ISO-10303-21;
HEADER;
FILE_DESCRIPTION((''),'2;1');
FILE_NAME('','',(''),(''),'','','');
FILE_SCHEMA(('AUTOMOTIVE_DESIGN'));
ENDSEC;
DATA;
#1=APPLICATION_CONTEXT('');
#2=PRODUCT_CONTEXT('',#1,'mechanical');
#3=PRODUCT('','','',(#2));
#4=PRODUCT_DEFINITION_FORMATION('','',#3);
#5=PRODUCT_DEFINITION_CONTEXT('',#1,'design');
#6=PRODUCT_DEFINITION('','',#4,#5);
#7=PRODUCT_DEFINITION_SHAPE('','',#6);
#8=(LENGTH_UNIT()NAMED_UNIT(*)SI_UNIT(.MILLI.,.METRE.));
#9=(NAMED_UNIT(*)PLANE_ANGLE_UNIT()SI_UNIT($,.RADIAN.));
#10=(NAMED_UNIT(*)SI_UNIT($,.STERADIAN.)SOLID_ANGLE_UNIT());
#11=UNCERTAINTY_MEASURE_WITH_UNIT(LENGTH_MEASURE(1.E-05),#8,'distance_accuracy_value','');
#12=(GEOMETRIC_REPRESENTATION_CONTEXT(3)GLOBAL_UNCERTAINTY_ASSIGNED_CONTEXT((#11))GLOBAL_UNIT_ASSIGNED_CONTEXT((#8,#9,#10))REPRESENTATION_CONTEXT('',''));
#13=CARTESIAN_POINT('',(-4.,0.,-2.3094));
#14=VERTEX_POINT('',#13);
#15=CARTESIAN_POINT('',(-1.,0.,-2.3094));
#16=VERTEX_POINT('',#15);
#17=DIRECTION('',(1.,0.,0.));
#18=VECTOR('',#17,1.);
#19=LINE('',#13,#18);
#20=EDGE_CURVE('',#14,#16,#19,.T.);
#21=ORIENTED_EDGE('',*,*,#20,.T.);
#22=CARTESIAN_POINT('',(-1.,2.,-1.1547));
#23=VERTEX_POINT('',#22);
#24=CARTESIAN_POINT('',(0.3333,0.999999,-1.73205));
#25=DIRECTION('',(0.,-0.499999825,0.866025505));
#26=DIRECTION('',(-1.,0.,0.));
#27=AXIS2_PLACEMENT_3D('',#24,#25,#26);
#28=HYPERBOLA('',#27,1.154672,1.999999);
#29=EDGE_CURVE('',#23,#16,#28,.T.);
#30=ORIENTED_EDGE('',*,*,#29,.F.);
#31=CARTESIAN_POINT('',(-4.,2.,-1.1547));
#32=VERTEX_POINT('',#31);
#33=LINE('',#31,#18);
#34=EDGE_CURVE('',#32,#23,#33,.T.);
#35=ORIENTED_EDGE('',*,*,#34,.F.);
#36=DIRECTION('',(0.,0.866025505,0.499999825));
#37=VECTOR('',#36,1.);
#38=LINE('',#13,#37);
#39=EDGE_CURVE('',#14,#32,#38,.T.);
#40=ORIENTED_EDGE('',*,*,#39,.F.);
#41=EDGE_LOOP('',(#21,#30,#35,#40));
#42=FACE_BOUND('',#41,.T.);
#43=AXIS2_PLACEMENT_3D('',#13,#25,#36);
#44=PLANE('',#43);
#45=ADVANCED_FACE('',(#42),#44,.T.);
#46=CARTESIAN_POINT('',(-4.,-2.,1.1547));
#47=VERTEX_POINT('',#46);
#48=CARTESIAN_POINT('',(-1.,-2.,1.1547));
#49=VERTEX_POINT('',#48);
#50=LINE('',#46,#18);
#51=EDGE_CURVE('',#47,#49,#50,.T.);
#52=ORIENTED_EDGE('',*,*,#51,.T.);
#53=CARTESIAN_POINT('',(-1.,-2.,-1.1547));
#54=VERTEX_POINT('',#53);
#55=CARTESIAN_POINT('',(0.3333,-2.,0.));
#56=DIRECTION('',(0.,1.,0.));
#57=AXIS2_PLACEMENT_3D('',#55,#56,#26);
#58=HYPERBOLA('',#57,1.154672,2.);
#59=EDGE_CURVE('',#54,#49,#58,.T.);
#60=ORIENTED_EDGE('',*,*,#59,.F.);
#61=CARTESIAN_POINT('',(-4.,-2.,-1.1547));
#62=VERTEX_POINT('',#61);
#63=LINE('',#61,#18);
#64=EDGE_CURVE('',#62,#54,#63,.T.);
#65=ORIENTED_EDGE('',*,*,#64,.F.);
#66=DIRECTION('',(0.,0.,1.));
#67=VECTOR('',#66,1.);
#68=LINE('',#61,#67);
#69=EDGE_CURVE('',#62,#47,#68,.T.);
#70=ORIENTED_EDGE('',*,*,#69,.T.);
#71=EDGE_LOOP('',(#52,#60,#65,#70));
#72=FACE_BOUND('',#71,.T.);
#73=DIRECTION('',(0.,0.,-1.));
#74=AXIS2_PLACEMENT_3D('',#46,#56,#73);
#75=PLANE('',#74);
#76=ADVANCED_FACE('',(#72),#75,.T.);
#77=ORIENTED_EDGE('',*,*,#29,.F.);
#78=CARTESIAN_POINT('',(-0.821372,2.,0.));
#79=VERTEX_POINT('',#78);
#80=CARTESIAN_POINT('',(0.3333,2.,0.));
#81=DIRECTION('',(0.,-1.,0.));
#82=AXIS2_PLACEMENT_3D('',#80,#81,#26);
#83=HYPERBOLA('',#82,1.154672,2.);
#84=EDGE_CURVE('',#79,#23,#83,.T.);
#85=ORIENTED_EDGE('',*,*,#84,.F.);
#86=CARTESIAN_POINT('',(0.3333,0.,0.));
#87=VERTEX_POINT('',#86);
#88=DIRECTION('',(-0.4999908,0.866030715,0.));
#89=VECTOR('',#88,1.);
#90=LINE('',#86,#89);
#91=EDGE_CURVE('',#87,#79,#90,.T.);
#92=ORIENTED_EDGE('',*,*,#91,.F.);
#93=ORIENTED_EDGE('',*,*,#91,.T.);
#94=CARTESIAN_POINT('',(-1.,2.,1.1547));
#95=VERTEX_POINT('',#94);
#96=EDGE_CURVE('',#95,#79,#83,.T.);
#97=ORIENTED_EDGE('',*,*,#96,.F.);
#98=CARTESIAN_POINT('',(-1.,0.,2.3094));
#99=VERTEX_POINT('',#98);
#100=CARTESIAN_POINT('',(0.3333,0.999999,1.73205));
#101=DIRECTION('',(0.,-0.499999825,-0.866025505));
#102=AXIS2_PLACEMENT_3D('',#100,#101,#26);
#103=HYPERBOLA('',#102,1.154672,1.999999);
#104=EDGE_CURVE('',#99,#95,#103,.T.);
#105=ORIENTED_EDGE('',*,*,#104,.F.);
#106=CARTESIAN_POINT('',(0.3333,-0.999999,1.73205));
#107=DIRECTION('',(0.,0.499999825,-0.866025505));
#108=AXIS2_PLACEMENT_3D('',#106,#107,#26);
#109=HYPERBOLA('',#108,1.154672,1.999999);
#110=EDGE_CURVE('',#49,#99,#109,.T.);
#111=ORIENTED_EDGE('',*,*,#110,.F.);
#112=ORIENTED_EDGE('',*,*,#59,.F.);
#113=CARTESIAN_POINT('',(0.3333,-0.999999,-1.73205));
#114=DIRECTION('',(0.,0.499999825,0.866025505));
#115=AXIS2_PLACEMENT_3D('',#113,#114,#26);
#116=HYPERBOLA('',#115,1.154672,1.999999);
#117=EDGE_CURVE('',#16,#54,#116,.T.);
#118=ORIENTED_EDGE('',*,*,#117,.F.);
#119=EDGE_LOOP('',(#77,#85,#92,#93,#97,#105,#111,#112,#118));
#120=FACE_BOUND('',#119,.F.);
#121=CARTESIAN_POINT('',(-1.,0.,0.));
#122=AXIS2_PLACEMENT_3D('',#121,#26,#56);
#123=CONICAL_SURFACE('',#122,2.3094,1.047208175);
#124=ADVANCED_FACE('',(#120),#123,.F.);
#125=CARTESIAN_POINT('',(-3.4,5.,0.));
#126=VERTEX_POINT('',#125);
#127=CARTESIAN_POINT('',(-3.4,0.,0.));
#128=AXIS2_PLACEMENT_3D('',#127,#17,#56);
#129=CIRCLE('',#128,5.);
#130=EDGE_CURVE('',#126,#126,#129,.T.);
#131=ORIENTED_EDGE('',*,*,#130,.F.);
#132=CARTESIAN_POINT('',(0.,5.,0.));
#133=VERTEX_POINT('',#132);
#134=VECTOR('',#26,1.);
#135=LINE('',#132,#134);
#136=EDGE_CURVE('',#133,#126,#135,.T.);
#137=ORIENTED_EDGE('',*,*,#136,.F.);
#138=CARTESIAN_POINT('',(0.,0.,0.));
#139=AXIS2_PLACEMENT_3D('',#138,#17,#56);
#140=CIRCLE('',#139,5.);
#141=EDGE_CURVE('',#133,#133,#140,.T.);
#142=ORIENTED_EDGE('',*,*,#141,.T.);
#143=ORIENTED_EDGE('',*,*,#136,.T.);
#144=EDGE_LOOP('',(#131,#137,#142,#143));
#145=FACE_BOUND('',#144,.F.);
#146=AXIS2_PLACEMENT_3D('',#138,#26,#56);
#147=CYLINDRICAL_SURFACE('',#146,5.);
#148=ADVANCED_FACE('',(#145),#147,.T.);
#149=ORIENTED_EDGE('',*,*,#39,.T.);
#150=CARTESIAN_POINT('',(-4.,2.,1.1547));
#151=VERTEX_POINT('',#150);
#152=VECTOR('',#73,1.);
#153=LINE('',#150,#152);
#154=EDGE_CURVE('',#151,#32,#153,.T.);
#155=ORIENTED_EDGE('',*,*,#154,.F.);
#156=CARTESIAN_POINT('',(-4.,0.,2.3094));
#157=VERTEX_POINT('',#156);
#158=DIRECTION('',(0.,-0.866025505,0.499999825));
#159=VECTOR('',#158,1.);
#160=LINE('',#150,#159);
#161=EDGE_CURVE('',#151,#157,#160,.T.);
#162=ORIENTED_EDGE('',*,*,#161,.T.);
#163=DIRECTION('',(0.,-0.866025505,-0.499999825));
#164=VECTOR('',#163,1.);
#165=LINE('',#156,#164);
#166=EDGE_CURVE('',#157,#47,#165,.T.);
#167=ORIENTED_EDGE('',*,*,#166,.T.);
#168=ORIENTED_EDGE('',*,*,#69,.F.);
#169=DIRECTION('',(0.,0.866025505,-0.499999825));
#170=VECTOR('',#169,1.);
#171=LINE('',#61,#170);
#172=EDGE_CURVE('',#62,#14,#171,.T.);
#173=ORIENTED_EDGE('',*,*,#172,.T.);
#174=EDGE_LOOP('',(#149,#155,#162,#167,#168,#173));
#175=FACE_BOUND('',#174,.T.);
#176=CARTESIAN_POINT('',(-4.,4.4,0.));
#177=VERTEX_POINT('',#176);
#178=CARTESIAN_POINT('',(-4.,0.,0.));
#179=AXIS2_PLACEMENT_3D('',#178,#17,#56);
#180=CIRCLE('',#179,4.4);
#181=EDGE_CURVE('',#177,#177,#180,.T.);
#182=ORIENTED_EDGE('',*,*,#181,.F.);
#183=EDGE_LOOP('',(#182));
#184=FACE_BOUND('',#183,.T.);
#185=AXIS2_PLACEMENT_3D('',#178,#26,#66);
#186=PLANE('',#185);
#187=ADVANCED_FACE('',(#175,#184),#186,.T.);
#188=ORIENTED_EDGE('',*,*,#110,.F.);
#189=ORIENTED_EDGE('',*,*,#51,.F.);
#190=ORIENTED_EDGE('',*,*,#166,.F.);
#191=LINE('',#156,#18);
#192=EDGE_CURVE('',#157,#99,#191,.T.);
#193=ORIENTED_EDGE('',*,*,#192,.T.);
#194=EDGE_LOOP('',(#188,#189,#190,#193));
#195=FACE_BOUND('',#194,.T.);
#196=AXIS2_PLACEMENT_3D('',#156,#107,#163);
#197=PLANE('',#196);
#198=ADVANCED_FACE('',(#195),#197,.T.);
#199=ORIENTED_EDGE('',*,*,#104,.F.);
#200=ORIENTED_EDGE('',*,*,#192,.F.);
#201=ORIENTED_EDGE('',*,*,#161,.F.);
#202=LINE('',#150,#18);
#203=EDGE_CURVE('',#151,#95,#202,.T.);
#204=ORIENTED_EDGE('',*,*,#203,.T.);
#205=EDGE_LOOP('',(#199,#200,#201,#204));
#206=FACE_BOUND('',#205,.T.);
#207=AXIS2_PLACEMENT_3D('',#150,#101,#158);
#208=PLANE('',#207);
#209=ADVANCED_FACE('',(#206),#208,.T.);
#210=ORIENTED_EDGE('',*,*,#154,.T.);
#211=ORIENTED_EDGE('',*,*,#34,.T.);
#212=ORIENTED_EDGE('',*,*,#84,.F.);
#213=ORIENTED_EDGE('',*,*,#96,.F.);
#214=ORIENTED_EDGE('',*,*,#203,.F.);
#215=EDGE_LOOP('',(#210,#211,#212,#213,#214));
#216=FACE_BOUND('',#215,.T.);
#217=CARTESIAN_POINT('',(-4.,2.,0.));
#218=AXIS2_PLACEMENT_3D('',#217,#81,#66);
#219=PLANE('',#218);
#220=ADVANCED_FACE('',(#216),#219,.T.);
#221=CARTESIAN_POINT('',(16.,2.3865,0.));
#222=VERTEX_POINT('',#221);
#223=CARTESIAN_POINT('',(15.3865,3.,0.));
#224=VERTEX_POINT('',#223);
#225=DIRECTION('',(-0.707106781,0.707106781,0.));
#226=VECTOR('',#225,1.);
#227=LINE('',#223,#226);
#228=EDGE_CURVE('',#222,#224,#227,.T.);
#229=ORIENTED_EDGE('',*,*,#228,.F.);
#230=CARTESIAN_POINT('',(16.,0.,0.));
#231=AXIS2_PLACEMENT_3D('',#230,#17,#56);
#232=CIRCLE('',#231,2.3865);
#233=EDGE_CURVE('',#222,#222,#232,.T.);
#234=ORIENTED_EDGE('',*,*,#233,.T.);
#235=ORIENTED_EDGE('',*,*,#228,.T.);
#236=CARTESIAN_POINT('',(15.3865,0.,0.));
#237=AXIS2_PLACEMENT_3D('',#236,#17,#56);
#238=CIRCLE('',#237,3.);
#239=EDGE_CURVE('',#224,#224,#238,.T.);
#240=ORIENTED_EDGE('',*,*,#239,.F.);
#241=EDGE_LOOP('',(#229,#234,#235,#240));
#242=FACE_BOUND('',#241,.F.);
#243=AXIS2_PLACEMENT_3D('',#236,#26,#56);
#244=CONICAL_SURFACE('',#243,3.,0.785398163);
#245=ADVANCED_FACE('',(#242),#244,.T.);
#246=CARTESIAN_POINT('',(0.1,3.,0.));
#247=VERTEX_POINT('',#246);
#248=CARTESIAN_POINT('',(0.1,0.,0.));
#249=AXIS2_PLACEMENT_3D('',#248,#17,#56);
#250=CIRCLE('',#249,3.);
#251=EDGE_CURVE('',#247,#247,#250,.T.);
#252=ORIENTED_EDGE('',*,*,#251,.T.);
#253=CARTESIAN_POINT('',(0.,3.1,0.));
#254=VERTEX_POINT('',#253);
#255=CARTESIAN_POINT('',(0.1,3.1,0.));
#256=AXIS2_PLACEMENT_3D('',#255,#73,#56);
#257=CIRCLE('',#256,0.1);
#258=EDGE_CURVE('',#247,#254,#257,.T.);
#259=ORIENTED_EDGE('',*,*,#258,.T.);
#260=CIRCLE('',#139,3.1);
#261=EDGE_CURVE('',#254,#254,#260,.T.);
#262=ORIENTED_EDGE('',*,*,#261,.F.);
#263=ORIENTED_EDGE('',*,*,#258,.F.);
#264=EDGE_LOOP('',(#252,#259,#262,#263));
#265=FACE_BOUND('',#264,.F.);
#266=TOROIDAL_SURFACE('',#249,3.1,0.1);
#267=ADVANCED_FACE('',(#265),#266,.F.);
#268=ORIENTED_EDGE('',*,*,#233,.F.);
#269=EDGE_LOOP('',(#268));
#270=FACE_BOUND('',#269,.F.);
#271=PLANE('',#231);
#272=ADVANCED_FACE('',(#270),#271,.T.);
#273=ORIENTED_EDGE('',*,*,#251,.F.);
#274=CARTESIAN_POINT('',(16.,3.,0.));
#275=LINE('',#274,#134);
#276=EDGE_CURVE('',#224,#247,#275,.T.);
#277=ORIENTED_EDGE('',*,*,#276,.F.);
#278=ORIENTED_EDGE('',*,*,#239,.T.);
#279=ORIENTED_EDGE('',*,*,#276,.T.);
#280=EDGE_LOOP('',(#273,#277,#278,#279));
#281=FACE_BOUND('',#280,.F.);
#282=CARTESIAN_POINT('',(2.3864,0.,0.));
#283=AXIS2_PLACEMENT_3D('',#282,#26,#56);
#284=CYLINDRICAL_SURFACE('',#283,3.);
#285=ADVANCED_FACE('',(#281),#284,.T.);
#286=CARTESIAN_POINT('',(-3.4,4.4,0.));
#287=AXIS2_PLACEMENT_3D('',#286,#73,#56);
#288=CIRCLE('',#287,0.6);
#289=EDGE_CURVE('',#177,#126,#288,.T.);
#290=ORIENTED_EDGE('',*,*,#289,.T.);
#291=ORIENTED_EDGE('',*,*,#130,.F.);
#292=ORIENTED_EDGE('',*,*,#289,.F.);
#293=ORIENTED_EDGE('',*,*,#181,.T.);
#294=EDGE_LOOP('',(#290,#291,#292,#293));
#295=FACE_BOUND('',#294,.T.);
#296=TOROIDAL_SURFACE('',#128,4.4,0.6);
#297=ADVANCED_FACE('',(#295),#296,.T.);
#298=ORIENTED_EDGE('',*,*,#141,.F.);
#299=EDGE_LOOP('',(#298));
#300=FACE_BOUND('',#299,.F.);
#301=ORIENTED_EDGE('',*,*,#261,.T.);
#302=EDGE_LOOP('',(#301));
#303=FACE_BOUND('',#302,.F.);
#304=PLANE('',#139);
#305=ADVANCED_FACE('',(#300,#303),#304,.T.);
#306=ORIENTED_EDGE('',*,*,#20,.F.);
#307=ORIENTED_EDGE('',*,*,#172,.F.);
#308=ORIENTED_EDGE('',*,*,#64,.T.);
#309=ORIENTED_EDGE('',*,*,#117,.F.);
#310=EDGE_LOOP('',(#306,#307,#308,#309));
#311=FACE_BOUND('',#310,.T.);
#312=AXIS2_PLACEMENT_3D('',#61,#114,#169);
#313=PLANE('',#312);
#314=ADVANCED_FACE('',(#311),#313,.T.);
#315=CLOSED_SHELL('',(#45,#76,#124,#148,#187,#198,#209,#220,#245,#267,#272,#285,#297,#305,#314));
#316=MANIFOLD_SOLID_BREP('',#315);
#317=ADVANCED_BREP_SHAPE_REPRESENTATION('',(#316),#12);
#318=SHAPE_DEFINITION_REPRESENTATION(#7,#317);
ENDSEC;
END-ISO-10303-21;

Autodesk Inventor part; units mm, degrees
ref_plane "YZ Plane" through (0, 0, 0) normal (1, 0, 0) x (0, 1, 0)
ref_plane "XZ Plane" through (0, 0, 0) normal (0, 1, 0) x (-1, 0, 0)
sketch "Sketch1" plane through (0, 0, 0) normal (0, 0, 1) x (1, 0, 0)
  line L0 (0.3333, 0) -> (16, 0)
  line L1 (16, 0) -> (16, 3)
  line L2 (16, 3) -> (3, 3)
  line L3 (3, 3) -> (2.3864, 3)
  line L4 (2.3864, 3) -> (0, 3)
  line L5 (0, 3) -> (0, 5)
  line L6 (0, 5) -> (-4, 5)
  line L7 (-4, 5) -> (-4, 2.3094)
  line L8 (-4, 2.3094) -> (-1, 2.3094)
  line L9 (-1, 2.3094) -> (0.3333, 0)
  line L10 (-8, 0) -> (20, 0) projected
  line L11 (0, -1) -> (0, 6) projected
  line L12 (3, 3) -> (0, 3) construction
  dimension "d1" = 13
  dimension "d2" = 0.6136
  dimension "d3" = 4
  dimension "d4" = 3
  dimension "d5" = 60
  dimension "d6" = 6
  dimension "d7" = 6
  dimension "d8" = 4.6188
  dimension "d9" = 10
  dimension "d26" = 16
revolve "Body" add sketch "Sketch1" angle 360 about axis through (0.3333, 0, 0) along (1, 0, 0) contours L9 L11 L4 L3 L2 L1 L0 | L9 L8 L7 L6 L5 L11
sketch "Sketch2" plane through (-4, 0, 0) normal (-1, 0, 0) x (0, 0, 1)
  circle A0 centre (0, 0) radius 2.3094 projected
  line L0 (0, -7) -> (0, 7) projected
  line L1 (-7, 0) -> (7, 0) projected
  line L2 (2.3094, 0) -> (1.1547, -2)
  line L3 (1.1547, -2) -> (-1.1547, -2)
  line L4 (-1.1547, -2) -> (-2.3094, 0)
  line L5 (-2.3094, 0) -> (-1.1547, 2)
  line L6 (-1.1547, 2) -> (1.1547, 2)
  line L7 (1.1547, 2) -> (2.3094, 0)
extrude "Slot" add sketch "Sketch2" against normal up to next contours L7 A0 | A0 L2 | L6 L0 A0 | A0 L0 L3 | L0 L6 A0 | A0 L3 L0 | L4 A0 | A0 L5
fillet "Fillet1" radius 0.6 1 edges at (-4, -5, 0)
thread "Thread" size "M6x1" class "6g" standard "ISO Metric profile" length 13
chamfer "Chamfer1" distance 0.6135 distance2 0.6135 1 edges at (16, -3, 0) measured on face at (16, -1.1424, 0.935)
ref_plane "Work Plane1" through (29, 0, 0) normal (0, -1, 0) x (1, 0, 0)
fillet "Fillet2" radius 0.1 1 edges at (0, -3, 0)
equation "\"d1\" = GEL"
equation "\"d3\" = KOH"
equation "\"d4\" = INTI"
equation "\"d6\" = GD"
equation "\"d7\" = BDM"
equation "\"d8\" = 1.1547 * SW"
equation "\"d9\" = KOD"
equation "\"d26\" = NLG"
equation "\"d30\" = R"
equation "\"d17\" = RR"
equation "\"d13\" = GEL"
equation "\"d15\" = -0.5 * SPD + 0.5 * GD"
equation "\"d16\" = GUL"
equation "\"GD\" = NND"
equation "\"NLG\" = 16"
equation "\"GEL\" = 13"
equation "\"KOD\" = 10"
equation "\"KOH\" = 4"
equation "\"INTI\" = 3"
equation "\"GAL\" = 0.61345 * PTC"
equation "\"GUL\" = 0.61345 * PTC"
equation "\"BDM\" = NND"
equation "\"SW\" = 4"
equation "\"RR\" = 0.6"
equation "\"SPD\" = NND - 1.2269 * PTC"
equation "\"R\" = 0.1"
equation "\"TOA\" = 30deg"
equation "\"GD1\" = THREADDIA - 1.2269 * PTC"
equation "\"THREADDIA\" = 6"
equation "\"FAWI\" = 45deg"
equation "\"ANG\" = 120deg"
equation "\"PTC\" = 1"
equation "\"NND\" = 6"
equation "\"E0\" = 1.155 * SW"
properties part number "DIN 7984 - M6 x 16" material "Steel, Mild"
